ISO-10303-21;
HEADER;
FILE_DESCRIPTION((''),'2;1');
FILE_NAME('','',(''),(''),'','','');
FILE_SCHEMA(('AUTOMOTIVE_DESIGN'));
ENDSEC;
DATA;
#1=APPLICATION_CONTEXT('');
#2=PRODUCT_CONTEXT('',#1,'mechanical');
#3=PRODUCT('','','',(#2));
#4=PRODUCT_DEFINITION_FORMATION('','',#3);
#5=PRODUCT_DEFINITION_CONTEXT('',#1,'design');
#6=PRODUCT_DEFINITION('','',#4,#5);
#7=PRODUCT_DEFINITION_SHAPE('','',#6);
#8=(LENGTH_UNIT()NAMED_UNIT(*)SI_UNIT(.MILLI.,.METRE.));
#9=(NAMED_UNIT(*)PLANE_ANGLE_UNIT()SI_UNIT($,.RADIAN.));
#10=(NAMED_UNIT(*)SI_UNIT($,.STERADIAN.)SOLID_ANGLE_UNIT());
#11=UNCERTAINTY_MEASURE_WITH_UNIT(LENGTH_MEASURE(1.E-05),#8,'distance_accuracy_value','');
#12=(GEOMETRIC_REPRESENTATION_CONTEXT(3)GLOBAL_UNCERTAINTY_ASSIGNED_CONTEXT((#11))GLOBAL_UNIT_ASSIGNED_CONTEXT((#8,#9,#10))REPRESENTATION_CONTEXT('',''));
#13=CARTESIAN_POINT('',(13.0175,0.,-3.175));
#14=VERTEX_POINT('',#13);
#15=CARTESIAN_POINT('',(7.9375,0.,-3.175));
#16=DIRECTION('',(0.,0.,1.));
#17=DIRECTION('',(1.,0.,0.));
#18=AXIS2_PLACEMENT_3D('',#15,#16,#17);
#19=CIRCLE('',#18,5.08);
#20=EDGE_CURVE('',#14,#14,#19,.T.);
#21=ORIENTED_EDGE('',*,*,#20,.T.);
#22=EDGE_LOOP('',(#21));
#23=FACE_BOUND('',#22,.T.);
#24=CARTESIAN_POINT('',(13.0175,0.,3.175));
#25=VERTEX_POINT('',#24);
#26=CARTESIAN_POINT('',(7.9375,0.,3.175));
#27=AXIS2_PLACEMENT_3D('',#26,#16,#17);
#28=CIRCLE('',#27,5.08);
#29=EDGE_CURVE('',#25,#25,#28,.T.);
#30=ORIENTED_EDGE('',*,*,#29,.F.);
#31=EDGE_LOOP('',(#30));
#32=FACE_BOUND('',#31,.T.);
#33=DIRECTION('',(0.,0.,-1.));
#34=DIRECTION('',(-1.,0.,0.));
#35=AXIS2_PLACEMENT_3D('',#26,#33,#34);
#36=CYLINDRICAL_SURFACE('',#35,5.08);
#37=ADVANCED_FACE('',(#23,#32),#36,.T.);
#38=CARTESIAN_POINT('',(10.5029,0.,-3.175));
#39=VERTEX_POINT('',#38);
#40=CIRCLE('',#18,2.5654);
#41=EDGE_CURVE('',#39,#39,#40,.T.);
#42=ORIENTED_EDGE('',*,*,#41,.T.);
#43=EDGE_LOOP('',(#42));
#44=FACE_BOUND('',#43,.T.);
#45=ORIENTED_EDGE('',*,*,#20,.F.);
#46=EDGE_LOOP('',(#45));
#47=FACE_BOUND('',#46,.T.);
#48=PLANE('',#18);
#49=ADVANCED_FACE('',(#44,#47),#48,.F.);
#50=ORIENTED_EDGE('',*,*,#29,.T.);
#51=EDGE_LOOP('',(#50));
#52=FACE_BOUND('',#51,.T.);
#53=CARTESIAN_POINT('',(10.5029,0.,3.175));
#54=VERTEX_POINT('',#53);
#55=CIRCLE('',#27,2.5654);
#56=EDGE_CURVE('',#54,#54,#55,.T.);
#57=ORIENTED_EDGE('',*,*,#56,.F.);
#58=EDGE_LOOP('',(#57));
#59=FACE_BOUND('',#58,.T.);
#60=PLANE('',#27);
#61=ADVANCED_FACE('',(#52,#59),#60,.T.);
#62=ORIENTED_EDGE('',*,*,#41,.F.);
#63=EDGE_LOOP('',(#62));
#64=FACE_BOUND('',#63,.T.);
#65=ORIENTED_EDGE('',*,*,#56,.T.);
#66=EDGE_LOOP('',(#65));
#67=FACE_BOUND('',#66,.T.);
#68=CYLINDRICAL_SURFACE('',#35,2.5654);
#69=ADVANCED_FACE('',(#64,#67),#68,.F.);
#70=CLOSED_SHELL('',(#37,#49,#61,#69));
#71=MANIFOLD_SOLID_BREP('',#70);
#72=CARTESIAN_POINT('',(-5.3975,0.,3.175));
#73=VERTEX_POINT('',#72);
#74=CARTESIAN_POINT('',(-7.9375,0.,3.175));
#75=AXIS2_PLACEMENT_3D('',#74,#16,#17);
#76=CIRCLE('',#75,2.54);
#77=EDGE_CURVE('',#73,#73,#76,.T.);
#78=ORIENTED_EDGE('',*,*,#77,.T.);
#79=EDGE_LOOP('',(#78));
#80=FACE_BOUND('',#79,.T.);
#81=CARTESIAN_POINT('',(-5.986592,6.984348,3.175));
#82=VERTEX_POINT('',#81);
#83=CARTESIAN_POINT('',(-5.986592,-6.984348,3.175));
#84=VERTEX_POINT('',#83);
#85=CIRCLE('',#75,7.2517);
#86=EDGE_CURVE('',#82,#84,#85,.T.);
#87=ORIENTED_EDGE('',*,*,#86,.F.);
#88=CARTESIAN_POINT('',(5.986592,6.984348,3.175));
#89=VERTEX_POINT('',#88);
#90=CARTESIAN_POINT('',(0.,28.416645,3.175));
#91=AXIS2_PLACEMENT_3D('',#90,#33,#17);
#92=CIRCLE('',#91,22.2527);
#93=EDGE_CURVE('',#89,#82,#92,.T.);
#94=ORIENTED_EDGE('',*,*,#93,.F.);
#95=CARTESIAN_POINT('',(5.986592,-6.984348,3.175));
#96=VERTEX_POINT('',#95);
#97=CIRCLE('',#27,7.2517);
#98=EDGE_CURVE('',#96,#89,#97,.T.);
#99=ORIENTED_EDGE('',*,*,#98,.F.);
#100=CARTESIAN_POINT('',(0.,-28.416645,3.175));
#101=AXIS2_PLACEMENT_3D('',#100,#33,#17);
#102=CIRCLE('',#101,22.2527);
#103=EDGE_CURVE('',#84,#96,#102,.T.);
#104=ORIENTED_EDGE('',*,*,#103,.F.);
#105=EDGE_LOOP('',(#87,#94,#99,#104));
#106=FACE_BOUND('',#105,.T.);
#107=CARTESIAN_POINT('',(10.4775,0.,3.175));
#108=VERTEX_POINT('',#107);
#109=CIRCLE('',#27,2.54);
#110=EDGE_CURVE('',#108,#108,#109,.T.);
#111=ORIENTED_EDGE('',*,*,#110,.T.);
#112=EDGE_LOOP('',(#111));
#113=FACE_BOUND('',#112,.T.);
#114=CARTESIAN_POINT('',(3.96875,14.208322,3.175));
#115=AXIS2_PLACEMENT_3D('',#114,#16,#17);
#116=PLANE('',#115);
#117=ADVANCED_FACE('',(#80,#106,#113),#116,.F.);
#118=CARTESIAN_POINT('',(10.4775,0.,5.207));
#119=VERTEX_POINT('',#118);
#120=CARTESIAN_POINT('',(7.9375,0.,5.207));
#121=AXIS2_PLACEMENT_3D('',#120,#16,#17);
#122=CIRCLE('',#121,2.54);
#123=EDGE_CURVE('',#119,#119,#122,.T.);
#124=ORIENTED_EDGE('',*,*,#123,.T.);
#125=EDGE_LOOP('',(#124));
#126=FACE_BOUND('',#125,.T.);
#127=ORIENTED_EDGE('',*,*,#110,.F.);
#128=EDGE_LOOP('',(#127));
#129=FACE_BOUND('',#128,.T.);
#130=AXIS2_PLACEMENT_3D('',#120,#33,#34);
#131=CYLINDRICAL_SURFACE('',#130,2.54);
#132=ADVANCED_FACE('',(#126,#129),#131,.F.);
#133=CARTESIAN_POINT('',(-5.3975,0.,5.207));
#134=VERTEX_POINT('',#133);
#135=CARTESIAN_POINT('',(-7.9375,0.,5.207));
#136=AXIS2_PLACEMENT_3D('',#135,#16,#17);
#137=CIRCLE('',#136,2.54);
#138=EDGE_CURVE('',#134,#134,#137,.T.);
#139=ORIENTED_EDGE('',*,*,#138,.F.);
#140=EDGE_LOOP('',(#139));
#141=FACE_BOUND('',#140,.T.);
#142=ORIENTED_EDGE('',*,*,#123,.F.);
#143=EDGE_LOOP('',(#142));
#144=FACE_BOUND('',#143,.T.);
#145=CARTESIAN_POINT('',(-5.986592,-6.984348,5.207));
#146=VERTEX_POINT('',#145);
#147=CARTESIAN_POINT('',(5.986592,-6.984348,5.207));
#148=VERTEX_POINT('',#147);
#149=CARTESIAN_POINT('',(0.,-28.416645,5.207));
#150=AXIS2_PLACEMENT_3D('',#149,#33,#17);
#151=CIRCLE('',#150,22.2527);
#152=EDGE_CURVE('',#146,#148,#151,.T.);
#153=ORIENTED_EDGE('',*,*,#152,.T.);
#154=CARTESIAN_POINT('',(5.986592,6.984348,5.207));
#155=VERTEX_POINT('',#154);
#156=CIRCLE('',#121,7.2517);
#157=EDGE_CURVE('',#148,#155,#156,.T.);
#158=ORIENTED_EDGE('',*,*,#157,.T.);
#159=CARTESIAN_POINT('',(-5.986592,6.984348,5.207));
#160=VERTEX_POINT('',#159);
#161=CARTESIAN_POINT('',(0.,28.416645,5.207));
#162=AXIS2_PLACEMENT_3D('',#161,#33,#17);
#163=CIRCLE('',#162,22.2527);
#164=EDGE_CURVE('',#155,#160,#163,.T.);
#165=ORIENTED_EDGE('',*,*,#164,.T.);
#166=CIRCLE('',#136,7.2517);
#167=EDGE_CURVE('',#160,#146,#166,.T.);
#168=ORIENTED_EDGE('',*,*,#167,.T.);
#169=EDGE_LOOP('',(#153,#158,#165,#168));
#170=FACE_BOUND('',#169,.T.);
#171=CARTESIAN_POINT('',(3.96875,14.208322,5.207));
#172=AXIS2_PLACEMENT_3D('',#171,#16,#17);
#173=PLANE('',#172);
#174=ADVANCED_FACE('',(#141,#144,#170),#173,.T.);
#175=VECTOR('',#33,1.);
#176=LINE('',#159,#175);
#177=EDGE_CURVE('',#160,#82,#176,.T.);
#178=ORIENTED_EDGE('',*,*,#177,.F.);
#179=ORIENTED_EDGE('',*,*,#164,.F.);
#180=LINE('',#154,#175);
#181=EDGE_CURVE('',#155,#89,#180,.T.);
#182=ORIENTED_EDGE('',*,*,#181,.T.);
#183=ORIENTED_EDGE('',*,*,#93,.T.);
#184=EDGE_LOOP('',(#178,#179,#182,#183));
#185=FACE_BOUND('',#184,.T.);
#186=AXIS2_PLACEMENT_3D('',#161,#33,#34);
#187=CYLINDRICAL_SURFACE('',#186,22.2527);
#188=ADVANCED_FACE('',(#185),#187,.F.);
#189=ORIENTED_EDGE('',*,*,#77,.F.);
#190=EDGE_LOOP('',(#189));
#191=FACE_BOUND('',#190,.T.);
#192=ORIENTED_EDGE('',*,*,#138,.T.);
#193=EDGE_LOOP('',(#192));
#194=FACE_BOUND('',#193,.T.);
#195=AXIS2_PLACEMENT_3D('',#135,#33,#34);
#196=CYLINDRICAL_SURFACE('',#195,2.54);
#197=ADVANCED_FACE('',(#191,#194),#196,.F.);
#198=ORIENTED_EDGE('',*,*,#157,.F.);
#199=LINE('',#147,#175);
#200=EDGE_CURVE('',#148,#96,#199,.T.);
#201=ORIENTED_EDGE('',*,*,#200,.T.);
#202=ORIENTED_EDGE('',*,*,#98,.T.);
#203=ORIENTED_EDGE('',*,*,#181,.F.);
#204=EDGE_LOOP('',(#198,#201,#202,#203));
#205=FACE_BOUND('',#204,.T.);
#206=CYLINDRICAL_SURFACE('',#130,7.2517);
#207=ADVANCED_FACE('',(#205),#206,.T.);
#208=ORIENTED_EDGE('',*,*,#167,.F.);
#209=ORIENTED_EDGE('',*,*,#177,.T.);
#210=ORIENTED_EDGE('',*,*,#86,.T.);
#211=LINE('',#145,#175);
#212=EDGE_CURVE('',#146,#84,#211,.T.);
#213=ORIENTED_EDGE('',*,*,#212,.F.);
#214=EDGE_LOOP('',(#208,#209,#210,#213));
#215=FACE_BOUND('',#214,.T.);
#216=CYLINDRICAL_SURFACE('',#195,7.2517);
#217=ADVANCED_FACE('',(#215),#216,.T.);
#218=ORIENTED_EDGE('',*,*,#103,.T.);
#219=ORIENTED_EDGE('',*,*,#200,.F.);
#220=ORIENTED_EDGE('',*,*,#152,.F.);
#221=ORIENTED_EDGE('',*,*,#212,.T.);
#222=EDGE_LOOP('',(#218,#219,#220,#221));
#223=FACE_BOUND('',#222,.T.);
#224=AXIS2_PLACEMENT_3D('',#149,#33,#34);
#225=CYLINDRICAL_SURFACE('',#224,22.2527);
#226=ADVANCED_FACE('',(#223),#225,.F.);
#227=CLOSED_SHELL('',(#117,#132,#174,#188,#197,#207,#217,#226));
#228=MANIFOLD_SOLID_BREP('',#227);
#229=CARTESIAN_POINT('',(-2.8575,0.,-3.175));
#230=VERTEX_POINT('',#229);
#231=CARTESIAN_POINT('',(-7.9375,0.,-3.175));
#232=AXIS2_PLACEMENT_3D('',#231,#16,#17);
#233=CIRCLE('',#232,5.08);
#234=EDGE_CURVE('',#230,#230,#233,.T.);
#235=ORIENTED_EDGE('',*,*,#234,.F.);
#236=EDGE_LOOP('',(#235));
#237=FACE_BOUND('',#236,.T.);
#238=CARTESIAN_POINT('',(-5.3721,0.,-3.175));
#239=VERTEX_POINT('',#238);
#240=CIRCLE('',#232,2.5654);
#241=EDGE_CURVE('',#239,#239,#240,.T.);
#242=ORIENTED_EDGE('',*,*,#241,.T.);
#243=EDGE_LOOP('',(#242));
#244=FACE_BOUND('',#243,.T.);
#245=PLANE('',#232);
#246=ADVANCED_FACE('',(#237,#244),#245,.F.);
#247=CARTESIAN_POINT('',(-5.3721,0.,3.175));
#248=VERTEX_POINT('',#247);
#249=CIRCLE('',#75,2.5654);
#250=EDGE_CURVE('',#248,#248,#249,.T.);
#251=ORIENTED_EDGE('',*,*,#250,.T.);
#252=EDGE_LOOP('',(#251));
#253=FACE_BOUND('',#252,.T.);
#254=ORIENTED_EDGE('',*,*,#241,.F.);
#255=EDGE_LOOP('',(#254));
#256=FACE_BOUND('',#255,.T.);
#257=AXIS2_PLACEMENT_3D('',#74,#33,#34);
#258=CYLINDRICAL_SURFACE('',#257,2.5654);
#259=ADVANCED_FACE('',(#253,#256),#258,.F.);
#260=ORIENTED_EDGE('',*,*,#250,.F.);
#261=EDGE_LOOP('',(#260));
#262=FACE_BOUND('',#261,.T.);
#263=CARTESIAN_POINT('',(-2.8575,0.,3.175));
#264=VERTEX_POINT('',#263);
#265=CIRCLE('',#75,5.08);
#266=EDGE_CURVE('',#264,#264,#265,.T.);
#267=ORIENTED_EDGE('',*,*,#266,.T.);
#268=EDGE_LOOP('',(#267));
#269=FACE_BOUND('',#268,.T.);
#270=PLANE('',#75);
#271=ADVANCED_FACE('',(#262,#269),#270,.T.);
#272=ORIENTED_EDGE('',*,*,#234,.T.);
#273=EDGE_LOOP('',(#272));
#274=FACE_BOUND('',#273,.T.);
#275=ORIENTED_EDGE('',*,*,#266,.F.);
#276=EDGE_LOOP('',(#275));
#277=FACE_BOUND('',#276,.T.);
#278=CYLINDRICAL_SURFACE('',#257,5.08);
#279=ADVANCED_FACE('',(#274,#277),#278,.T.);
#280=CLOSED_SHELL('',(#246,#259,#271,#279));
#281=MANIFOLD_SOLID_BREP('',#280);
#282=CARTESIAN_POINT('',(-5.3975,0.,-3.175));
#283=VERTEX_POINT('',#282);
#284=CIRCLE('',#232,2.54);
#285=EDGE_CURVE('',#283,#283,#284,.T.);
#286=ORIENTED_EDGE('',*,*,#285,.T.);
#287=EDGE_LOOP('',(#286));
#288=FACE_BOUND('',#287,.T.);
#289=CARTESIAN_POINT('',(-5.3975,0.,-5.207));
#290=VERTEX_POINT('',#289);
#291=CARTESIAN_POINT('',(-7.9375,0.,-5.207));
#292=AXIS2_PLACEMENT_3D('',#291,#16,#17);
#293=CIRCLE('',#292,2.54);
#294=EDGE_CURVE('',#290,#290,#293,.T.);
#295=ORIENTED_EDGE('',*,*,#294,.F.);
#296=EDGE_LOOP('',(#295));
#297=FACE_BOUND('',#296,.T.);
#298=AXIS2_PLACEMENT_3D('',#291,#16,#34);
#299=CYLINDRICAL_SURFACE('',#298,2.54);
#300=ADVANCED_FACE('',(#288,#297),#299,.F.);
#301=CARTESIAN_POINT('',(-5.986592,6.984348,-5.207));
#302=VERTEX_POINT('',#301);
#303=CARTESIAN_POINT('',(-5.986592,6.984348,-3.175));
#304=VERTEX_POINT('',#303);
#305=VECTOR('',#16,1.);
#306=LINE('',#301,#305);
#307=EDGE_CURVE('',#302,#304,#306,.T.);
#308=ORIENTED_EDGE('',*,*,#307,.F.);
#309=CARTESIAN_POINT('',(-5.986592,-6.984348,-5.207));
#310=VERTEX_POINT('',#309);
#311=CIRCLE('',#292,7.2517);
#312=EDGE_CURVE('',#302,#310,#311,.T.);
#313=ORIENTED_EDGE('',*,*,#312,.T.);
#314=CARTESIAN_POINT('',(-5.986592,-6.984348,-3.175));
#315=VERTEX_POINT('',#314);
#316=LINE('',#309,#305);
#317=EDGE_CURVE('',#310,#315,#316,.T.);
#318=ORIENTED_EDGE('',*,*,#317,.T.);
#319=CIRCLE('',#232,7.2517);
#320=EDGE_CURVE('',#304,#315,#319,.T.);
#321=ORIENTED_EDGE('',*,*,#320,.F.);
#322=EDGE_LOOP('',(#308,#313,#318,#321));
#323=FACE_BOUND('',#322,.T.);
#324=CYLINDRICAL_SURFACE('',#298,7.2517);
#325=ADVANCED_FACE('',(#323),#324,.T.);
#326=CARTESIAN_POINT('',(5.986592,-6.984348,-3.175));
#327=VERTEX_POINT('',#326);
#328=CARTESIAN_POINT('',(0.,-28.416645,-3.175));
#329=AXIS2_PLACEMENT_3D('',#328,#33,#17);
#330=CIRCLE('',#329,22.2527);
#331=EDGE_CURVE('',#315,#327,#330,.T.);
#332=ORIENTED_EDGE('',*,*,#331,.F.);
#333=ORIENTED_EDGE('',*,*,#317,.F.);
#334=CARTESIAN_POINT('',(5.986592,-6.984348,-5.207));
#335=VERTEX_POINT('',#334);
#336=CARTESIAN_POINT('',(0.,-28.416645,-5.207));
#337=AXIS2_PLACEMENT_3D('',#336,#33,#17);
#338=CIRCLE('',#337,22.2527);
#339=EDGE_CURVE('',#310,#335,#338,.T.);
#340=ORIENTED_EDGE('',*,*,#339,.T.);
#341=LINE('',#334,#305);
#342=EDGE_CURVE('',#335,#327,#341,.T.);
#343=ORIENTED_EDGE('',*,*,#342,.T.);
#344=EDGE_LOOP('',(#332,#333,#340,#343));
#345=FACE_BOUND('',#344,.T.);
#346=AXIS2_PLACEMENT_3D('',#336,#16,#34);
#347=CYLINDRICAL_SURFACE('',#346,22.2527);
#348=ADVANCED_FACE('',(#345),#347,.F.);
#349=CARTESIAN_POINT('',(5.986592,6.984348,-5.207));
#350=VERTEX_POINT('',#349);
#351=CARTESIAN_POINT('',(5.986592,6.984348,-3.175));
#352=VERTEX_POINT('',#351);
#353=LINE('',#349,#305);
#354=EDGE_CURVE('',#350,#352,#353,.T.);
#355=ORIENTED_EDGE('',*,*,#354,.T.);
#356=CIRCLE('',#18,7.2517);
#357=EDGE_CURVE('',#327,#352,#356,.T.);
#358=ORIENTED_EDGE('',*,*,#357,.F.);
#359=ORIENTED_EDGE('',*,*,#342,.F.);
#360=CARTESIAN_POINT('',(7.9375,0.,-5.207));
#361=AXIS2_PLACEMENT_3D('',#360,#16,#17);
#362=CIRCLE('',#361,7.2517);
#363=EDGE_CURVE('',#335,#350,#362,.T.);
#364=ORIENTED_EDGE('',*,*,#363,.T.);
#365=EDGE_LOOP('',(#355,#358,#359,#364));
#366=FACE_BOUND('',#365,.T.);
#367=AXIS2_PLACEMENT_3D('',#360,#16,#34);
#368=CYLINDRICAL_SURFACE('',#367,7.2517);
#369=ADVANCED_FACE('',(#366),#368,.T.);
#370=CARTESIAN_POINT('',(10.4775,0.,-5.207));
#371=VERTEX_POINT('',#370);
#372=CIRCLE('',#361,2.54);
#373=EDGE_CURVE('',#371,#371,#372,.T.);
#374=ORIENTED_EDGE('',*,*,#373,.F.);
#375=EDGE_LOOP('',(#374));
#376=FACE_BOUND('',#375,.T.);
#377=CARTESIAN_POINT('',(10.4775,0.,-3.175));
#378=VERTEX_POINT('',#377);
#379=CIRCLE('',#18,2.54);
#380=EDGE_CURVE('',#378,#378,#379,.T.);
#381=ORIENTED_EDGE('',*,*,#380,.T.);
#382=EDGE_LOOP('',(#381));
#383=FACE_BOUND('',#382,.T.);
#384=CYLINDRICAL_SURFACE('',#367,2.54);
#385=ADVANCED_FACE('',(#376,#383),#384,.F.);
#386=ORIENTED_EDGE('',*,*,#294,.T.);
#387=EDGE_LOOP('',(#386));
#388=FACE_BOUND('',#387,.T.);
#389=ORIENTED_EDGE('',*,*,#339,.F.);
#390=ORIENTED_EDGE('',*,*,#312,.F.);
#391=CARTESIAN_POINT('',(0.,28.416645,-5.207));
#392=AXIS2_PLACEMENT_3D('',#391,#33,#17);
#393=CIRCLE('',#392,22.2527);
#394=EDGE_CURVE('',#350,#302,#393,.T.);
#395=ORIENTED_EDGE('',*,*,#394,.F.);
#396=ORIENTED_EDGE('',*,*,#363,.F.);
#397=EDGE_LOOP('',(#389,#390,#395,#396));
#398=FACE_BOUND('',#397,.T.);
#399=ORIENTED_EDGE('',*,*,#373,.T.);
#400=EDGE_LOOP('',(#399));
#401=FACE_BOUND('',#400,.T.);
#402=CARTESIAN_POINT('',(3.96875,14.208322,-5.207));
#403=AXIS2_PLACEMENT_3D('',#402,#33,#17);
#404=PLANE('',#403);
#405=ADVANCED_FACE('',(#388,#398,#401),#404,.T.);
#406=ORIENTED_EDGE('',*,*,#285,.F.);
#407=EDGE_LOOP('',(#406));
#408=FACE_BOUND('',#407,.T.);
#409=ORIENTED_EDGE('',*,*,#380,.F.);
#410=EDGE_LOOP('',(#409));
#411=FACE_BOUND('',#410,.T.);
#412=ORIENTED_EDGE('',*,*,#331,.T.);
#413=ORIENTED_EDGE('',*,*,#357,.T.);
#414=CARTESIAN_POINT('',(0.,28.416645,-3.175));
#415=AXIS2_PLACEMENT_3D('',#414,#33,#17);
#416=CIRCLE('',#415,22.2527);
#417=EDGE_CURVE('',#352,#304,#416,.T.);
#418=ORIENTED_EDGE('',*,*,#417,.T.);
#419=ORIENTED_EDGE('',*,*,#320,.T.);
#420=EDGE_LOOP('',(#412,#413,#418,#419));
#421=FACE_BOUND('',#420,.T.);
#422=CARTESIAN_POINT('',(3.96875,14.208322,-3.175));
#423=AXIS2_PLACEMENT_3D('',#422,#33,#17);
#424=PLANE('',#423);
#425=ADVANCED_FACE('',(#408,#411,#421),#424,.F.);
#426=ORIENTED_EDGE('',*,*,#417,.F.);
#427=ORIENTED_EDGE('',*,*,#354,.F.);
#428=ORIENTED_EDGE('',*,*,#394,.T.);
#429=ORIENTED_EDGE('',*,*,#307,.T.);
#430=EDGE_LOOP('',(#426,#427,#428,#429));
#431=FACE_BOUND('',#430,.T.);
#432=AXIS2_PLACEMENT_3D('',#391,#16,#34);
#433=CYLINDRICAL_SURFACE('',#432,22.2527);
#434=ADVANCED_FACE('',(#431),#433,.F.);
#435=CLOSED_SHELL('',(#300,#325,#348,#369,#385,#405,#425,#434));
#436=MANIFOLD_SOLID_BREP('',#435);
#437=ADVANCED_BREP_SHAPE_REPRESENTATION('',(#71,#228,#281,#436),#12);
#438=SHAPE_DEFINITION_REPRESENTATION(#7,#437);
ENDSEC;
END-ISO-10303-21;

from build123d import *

# Parameters (mm, degrees)
SKETCH4_R                  = 5.08
SKETCH4_R_2                = 2.5654
BOSS_EXTRUDE1_DEPTH        = 3.175
BOSS_EXTRUDE1_2_DEPTH      = 3.175
SKETCH5_R                  = 2.54
BOSS_EXTRUDE2_DEPTH        = 2.032
LPATTERN1_COUNT            = 2
LPATTERN1_PITCH            = 15.875
SKETCH7_R                  = 2.54
BOSS_EXTRUDE3_DEPTH        = 2.032
BOSS_EXTRUDE4_DEPTH        = 10.16
BOSS_EXTRUDE4_DEPTH_BACK   = 10.16
SKETCH8_R                  = 2.54
BOSS_EXTRUDE4_2_DEPTH      = 10.16
BOSS_EXTRUDE4_2_DEPTH_BACK = 10.16


with BuildPart() as part:
    # Sketch4 → Boss-Extrude1 (new, symmetric)
    with BuildSketch(Plane.XY):
        with Locations((-7.9375, 0)):
            Circle(SKETCH4_R)
        with Locations((-7.9375, 0)):
            Circle(SKETCH4_R_2, mode=Mode.SUBTRACT)
    extrude(amount=BOSS_EXTRUDE1_DEPTH, both=True)


with BuildPart() as body_2:
    # Sketch4 → Boss-Extrude1 2 (new, symmetric)
    with BuildSketch(Plane.XY):
        with Locations((7.9375, 0)):
            Circle(SKETCH4_R)
        with Locations((7.9375, 0)):
            Circle(SKETCH4_R_2, mode=Mode.SUBTRACT)
    extrude(amount=BOSS_EXTRUDE1_2_DEPTH, both=True)


with BuildPart() as body_3:
    # Sketch5 → Boss-Extrude2 (new body)
    with BuildSketch(Plane.XY.offset(3.175)):
        with BuildLine():
            ThreePointArc((-5.986592041, 6.984347573), (-15.1892, 0), (-5.986592041, -6.984347573))
            ThreePointArc((-5.986592041, -6.984347573), (0, -6.163945), (5.986592041, -6.984347573))
            ThreePointArc((5.986592041, -6.984347573), (15.1892, 0), (5.986592041, 6.984347573))
            ThreePointArc((5.986592041, 6.984347573), (0, 6.163945), (-5.986592041, 6.984347573))
        make_face()
        with Locations((-7.9375, 0)):
            Circle(SKETCH5_R, mode=Mode.SUBTRACT)
        with Locations((7.9375, 0)):
            Circle(SKETCH5_R, mode=Mode.SUBTRACT)
    extrude(amount=BOSS_EXTRUDE2_DEPTH)


with BuildPart() as lpattern1_1:
    # LPattern1: pattern copy
    add(body_2.part.moved(Location(Vector(1, 0, 0) * (1 * LPATTERN1_PITCH))))


with BuildPart() as body_5:
    # Sketch7 → Boss-Extrude3 (new body)
    with BuildSketch(Plane.XY.offset(-5.2578)):
        with BuildLine():
            ThreePointArc((9.706473173, 6.131412978), (1.556004, 0), (9.706473173, -6.131412978))
            ThreePointArc((9.706473173, -6.131412978), (15.875, -5.259356889), (22.043526827, -6.131412978))
            ThreePointArc((22.043526827, -6.131412978), (30.193996, 0), (22.043526827, 6.131412978))
            ThreePointArc((22.043526827, 6.131412978), (15.875, 5.259356889), (9.706473173, 6.131412978))
        make_face()
        with Locations((7.9375, 0)):
            Circle(SKETCH7_R, mode=Mode.SUBTRACT)
        with Locations((23.8125, 0)):
            Circle(SKETCH7_R, mode=Mode.SUBTRACT)
    extrude(amount=-BOSS_EXTRUDE3_DEPTH)


with BuildPart() as body_6:
    # Mirror1: mirrored copy
    add(body_3.part.mirror(Plane.XY))


with BuildPart() as body_7:
    # Mirror1 2: mirrored copy
    add(body_5.part.mirror(Plane.XY))


with BuildPart() as body_8:
    # Sketch8 → Boss-Extrude4 (new, two sides: drawn at the far end of the back side and taken through both)
    with BuildSketch(Plane.XY.offset(-BOSS_EXTRUDE4_DEPTH_BACK)):
        with Locations((7.9375, 0)):
            Circle(SKETCH8_R)
    extrude(amount=BOSS_EXTRUDE4_DEPTH + BOSS_EXTRUDE4_DEPTH_BACK)


with BuildPart() as body_9:
    # Sketch8 → Boss-Extrude4 2 (new, two sides: drawn at the far end of the back side and taken through both)
    with BuildSketch(Plane.XY.offset(-BOSS_EXTRUDE4_2_DEPTH_BACK)):
        with Locations((23.8125, 0)):
            Circle(SKETCH8_R)
    extrude(amount=BOSS_EXTRUDE4_2_DEPTH + BOSS_EXTRUDE4_2_DEPTH_BACK)


solid = Compound([part.part, body_2.part, body_3.part, body_6.part])
